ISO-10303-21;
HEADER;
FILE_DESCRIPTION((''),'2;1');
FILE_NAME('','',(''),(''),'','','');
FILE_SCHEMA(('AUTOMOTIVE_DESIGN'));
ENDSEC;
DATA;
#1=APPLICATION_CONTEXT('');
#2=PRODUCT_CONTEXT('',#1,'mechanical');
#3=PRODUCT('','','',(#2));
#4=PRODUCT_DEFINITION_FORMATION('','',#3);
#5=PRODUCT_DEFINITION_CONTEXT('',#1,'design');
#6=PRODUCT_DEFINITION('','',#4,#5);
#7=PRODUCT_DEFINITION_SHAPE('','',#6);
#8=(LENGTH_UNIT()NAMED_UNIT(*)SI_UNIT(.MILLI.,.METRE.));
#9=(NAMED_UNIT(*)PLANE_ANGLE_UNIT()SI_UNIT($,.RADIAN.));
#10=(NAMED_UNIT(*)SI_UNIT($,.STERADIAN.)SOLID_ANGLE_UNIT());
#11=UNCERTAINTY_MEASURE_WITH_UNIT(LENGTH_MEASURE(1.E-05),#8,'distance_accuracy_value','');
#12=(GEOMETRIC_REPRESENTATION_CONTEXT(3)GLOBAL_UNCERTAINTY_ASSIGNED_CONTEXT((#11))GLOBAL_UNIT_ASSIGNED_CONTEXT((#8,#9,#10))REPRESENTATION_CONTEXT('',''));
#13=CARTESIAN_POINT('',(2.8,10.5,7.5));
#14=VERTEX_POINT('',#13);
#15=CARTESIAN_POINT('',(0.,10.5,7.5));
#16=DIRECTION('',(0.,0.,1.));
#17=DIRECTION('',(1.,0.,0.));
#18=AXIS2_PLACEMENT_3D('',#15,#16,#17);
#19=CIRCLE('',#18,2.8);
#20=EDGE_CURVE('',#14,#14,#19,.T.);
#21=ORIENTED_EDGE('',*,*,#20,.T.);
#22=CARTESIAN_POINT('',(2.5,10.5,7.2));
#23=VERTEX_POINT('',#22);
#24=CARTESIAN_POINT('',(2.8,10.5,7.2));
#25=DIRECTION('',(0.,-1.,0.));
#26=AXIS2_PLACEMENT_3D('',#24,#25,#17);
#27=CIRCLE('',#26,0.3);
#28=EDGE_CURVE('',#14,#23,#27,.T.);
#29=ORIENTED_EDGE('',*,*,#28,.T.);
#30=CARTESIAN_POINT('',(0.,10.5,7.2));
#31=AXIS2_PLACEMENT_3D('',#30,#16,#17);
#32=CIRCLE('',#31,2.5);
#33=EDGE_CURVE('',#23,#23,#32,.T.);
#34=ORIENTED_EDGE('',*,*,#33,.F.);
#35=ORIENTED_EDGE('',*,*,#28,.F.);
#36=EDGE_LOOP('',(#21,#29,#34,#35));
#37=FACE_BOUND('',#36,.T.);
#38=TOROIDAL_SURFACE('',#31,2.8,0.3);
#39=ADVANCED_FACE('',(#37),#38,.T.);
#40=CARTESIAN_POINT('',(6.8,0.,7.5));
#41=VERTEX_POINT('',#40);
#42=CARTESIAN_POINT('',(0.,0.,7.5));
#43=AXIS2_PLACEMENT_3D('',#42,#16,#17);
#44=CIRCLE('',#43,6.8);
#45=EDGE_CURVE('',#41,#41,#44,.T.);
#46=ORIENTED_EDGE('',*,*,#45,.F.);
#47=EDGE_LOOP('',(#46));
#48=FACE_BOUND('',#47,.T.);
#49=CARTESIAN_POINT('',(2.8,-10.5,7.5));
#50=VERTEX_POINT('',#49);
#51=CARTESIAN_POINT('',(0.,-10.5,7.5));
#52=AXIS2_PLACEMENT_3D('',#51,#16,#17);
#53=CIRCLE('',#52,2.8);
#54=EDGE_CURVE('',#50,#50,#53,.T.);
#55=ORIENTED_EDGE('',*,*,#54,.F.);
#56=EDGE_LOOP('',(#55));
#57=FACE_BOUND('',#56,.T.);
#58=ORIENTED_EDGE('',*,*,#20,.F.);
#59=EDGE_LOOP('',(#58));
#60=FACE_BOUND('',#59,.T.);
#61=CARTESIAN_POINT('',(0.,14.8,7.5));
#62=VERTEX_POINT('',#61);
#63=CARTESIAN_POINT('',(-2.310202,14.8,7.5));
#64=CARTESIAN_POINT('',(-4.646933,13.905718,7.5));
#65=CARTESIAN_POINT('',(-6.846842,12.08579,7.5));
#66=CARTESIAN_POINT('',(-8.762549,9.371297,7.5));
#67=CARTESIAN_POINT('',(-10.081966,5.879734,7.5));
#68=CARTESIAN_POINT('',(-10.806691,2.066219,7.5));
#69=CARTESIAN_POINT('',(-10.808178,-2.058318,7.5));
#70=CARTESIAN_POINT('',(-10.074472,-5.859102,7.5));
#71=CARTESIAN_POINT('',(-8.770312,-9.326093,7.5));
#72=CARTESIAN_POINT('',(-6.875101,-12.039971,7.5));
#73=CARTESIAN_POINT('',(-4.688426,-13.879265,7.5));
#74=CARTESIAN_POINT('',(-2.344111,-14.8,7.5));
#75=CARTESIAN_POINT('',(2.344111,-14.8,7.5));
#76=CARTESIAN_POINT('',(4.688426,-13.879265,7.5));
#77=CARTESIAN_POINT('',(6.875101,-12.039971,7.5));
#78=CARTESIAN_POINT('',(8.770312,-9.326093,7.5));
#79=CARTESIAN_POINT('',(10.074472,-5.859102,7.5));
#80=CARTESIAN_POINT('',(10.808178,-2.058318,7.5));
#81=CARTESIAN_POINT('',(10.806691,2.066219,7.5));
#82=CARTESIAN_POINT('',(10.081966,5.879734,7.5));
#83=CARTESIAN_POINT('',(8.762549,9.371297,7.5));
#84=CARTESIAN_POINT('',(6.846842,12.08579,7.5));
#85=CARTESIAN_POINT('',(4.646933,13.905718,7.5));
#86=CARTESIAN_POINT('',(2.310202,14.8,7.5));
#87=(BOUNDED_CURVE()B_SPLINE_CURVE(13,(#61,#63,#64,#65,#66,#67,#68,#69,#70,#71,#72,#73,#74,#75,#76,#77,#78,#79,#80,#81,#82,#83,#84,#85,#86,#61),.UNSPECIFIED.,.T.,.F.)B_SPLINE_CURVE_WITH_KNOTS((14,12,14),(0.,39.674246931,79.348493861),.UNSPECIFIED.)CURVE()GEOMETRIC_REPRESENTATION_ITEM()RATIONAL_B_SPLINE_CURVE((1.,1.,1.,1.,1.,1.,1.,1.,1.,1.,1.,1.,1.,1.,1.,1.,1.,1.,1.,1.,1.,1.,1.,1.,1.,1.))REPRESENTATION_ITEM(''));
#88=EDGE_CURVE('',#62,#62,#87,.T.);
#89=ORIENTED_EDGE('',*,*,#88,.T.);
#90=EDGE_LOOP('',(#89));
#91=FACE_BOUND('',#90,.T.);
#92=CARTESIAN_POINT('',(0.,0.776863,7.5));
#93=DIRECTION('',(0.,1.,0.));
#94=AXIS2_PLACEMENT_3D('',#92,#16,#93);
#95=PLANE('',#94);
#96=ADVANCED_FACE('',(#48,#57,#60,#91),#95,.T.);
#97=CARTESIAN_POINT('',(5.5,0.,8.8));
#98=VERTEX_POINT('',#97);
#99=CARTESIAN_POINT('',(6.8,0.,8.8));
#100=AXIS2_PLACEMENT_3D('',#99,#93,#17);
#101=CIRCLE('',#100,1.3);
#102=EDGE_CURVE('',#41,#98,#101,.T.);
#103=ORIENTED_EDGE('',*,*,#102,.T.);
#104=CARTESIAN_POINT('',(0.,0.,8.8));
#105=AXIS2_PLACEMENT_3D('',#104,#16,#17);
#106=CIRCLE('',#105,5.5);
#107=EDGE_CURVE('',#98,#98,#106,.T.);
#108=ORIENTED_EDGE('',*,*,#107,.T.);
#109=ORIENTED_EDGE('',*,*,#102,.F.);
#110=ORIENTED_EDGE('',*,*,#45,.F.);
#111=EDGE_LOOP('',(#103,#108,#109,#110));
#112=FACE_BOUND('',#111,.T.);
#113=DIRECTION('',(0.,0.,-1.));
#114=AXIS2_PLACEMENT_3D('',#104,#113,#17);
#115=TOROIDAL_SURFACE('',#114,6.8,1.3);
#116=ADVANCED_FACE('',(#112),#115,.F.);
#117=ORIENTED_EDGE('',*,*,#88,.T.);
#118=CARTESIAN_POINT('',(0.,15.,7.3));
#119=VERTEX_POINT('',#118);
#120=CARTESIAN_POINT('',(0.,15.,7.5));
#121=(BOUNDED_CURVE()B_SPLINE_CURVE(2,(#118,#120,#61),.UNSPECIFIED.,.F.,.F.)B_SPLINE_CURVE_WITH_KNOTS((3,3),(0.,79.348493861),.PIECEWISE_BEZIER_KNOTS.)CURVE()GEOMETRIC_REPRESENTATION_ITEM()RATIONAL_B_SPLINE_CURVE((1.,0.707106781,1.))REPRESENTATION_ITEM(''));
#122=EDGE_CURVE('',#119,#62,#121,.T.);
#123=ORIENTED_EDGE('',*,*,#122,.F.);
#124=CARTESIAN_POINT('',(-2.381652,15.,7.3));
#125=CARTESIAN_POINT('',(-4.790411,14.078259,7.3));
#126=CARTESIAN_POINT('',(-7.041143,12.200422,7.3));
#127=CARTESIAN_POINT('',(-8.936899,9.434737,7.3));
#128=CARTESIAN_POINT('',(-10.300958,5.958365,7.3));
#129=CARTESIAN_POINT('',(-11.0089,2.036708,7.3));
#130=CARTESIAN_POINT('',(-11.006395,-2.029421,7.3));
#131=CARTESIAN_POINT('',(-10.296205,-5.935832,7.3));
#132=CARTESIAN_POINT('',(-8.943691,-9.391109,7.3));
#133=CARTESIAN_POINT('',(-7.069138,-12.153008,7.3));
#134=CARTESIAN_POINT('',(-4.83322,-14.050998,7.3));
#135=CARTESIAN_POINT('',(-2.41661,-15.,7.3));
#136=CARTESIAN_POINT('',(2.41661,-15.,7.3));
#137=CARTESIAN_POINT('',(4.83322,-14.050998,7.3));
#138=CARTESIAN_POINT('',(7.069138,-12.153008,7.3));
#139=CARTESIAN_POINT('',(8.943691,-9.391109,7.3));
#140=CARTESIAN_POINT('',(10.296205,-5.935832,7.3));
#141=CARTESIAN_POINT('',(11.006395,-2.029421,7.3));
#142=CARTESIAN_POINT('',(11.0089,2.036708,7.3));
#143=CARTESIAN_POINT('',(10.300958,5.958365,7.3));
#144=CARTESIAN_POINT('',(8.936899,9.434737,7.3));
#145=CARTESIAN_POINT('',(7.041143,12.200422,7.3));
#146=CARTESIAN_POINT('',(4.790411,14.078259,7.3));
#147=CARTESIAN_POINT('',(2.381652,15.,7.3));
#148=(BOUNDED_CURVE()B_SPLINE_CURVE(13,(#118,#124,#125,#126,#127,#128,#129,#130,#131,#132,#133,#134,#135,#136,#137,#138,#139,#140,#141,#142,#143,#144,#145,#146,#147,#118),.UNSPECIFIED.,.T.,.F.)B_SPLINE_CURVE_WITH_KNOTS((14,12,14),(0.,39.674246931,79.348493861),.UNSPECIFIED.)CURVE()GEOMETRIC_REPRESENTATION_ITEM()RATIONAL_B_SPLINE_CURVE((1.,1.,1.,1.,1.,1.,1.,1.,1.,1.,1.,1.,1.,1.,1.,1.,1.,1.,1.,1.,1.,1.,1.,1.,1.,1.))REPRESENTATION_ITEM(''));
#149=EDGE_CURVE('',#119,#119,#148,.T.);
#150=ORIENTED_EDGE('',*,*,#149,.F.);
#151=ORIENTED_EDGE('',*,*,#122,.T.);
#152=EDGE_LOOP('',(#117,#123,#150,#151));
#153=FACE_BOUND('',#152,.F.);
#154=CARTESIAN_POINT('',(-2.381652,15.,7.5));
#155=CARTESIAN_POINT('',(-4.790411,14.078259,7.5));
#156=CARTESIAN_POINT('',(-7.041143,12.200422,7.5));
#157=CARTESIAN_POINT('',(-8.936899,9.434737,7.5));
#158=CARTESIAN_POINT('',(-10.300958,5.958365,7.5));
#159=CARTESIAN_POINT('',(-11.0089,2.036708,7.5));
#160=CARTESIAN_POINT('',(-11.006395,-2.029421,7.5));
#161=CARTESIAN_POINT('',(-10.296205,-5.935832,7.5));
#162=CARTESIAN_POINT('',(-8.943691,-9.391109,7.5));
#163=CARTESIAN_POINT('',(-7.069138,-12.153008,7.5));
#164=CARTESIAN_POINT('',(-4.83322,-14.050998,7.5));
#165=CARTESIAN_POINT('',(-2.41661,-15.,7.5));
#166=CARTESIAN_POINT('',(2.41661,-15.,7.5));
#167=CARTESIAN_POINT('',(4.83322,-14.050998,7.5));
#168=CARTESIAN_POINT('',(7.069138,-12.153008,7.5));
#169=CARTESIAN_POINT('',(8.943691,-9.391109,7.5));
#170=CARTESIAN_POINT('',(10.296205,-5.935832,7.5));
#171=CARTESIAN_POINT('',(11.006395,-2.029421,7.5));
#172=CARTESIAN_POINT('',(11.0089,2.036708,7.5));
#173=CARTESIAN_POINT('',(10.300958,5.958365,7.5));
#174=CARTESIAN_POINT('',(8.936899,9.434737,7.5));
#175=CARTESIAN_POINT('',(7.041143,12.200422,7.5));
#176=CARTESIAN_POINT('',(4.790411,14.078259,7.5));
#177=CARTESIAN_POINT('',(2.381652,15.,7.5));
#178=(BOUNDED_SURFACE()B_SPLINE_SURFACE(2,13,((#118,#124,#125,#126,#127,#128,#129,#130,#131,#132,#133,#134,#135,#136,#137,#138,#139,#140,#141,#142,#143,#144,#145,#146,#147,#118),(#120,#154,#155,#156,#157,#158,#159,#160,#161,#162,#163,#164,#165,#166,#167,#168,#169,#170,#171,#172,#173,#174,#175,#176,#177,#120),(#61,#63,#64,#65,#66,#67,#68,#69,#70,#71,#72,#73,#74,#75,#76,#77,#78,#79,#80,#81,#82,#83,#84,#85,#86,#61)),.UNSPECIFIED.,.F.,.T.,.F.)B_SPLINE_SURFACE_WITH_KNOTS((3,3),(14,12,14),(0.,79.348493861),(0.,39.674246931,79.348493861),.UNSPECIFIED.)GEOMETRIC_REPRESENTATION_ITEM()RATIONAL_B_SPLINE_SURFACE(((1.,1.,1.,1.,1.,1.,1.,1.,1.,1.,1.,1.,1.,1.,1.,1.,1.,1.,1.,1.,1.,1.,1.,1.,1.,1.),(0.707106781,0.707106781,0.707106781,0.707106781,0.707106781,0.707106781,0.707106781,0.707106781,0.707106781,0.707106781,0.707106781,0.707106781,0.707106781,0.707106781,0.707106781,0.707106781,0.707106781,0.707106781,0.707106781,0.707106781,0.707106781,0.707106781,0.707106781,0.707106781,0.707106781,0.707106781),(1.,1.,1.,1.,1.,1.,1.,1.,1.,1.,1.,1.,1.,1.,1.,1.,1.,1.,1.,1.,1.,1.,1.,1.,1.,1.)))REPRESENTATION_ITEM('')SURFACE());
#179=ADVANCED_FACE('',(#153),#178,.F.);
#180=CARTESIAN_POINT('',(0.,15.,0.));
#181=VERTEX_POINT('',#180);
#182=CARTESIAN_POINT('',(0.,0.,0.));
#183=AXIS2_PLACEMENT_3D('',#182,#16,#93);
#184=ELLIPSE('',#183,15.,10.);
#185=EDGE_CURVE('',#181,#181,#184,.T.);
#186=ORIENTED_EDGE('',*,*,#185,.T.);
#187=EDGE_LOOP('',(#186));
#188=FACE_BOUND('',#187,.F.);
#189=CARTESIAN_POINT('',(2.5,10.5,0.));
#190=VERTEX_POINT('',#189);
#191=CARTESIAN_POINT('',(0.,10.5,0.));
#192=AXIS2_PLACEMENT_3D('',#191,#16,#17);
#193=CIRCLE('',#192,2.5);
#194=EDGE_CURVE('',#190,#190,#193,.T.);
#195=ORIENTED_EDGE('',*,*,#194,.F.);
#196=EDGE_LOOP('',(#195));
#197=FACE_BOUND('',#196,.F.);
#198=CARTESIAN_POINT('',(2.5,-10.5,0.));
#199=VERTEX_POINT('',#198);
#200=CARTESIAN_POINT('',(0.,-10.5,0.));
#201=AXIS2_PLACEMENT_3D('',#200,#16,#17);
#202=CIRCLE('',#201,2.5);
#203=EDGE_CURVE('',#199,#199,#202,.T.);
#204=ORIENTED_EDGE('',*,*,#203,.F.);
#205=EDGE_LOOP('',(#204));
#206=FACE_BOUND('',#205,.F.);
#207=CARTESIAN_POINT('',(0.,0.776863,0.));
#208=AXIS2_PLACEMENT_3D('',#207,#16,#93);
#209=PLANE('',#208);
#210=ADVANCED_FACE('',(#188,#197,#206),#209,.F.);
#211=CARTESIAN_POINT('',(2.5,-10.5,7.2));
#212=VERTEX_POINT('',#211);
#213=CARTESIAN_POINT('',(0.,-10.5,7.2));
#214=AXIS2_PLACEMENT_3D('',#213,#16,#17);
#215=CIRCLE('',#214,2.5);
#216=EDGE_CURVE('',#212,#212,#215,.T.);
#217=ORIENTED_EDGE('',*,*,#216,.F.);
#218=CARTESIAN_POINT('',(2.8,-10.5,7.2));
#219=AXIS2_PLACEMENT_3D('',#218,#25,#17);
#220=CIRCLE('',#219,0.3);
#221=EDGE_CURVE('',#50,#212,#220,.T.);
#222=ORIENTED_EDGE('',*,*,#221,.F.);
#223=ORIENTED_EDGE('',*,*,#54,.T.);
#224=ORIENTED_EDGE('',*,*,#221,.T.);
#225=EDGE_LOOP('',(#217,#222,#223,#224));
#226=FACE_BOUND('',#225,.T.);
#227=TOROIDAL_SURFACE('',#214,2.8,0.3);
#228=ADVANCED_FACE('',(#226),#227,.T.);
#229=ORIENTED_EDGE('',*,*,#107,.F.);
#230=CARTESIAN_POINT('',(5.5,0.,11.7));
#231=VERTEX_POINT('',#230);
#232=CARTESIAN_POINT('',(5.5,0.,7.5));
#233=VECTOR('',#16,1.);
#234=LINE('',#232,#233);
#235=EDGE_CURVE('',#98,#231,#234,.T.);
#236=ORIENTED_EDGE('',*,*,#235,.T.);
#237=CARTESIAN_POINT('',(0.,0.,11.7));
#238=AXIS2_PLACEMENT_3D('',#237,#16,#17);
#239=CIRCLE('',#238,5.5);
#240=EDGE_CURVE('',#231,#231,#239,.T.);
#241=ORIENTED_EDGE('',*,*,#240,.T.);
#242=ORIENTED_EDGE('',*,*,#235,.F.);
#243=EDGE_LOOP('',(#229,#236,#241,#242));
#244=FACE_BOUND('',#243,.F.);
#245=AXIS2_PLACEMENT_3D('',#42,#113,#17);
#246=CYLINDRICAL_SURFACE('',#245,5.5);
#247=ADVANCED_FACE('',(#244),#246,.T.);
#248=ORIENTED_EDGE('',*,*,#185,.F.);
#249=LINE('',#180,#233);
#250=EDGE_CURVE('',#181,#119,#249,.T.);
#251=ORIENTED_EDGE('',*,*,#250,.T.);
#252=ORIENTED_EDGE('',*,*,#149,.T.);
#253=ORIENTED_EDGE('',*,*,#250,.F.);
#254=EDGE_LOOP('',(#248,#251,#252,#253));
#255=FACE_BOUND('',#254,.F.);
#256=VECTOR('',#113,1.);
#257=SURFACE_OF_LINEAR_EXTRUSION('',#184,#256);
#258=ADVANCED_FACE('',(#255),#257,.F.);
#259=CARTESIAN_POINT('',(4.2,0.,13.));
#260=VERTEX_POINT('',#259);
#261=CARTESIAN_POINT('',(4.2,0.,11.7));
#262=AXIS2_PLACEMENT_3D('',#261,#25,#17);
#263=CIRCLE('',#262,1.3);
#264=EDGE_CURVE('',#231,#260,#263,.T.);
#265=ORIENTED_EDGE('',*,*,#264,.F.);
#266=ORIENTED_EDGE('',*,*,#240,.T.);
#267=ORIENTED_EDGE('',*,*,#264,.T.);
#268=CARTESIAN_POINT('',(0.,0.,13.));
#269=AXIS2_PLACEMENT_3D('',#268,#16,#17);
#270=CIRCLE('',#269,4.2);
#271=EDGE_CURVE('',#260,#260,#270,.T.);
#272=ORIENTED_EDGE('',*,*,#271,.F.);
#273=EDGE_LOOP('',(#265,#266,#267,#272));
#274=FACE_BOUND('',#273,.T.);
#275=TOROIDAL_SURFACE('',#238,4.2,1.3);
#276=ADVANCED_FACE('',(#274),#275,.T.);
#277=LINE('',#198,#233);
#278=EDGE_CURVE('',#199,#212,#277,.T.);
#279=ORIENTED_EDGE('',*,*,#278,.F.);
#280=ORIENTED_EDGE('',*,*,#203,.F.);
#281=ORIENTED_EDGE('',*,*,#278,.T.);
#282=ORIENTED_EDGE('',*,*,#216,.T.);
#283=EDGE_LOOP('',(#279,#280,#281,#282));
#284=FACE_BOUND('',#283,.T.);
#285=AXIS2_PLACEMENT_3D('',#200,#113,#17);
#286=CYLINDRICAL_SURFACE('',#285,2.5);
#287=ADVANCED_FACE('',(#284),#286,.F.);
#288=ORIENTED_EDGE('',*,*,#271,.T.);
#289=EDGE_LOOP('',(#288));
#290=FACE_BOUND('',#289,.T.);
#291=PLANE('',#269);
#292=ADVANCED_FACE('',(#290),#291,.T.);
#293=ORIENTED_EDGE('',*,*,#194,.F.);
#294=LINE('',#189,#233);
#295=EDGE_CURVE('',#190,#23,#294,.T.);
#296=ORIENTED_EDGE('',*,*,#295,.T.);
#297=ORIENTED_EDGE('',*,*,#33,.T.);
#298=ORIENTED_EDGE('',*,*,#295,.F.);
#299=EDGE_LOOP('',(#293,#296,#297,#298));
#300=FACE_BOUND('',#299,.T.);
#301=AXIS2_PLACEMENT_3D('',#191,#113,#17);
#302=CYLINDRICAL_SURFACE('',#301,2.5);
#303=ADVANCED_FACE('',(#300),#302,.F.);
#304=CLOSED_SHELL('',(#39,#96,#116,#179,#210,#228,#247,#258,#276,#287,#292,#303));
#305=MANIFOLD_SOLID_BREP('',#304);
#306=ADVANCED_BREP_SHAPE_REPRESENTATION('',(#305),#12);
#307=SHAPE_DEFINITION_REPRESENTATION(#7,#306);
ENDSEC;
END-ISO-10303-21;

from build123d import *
from OCP.BRepFilletAPI import BRepFilletAPI_MakeFillet

# Parameters (mm, degrees)
ESQUISSE1_RX       = 15
ESQUISSE1_RY       = 10
ESQUISSE1_R        = 2.5
BOSS_EXTRU_1_DEPTH = 7.5
ESQUISSE3_R        = 5.5
BOSS_EXTRU_3_DEPTH = 5.5
CONG_2_R1          = 0.3
CONG_2_R2          = 1.3
CONG_2_R3          = 0.2


with BuildPart() as part:
    # Esquisse1 → Boss.-Extru.1 (new body)
    with BuildSketch(Plane.XY):
        with Locations(Location((0, 0), (0, 0, 90))):
            Ellipse(ESQUISSE1_RX, ESQUISSE1_RY)
        with Locations((0, 10.5)):
            Circle(ESQUISSE1_R, mode=Mode.SUBTRACT)
        with Locations((0, -10.5)):
            Circle(ESQUISSE1_R, mode=Mode.SUBTRACT)
    extrude(amount=BOSS_EXTRU_1_DEPTH)

    # Esquisse3 → Boss.-Extru.3 (add)
    with BuildSketch(Plane.XY.offset(7.5)):
        Circle(ESQUISSE3_R)
    extrude(amount=BOSS_EXTRU_3_DEPTH)

    # Congé2: one fillet with a radius per group of edges: ONE call of the kernel's fillet builder (fillet() takes one radius for all edges)
    cong_2_edges_1 = [part.edges().sort_by_distance(p)[0] for p in [
        (-2.5, 10.5, 7.5),
        (-2.5, -10.5, 7.5),
    ]]
    cong_2_edges_2 = [part.edges().sort_by_distance(p)[0] for p in [
        (-5.5, 0, 13),
        (-5.5, 0, 7.5),
    ]]
    cong_2_edges_3 = [part.edges().sort_by_distance(p)[0] for p in [
        (0.0106478, -14.999991497, 7.5),
    ]]
    cong_2 = BRepFilletAPI_MakeFillet(part.part.solid().wrapped)
    for e in cong_2_edges_1:
        cong_2.Add(CONG_2_R1, e.wrapped)
    for e in cong_2_edges_2:
        cong_2.Add(CONG_2_R2, e.wrapped)
    for e in cong_2_edges_3:
        cong_2.Add(CONG_2_R3, e.wrapped)
    add(Compound.cast(cong_2.Shape()), mode=Mode.REPLACE)


solid = part.part
